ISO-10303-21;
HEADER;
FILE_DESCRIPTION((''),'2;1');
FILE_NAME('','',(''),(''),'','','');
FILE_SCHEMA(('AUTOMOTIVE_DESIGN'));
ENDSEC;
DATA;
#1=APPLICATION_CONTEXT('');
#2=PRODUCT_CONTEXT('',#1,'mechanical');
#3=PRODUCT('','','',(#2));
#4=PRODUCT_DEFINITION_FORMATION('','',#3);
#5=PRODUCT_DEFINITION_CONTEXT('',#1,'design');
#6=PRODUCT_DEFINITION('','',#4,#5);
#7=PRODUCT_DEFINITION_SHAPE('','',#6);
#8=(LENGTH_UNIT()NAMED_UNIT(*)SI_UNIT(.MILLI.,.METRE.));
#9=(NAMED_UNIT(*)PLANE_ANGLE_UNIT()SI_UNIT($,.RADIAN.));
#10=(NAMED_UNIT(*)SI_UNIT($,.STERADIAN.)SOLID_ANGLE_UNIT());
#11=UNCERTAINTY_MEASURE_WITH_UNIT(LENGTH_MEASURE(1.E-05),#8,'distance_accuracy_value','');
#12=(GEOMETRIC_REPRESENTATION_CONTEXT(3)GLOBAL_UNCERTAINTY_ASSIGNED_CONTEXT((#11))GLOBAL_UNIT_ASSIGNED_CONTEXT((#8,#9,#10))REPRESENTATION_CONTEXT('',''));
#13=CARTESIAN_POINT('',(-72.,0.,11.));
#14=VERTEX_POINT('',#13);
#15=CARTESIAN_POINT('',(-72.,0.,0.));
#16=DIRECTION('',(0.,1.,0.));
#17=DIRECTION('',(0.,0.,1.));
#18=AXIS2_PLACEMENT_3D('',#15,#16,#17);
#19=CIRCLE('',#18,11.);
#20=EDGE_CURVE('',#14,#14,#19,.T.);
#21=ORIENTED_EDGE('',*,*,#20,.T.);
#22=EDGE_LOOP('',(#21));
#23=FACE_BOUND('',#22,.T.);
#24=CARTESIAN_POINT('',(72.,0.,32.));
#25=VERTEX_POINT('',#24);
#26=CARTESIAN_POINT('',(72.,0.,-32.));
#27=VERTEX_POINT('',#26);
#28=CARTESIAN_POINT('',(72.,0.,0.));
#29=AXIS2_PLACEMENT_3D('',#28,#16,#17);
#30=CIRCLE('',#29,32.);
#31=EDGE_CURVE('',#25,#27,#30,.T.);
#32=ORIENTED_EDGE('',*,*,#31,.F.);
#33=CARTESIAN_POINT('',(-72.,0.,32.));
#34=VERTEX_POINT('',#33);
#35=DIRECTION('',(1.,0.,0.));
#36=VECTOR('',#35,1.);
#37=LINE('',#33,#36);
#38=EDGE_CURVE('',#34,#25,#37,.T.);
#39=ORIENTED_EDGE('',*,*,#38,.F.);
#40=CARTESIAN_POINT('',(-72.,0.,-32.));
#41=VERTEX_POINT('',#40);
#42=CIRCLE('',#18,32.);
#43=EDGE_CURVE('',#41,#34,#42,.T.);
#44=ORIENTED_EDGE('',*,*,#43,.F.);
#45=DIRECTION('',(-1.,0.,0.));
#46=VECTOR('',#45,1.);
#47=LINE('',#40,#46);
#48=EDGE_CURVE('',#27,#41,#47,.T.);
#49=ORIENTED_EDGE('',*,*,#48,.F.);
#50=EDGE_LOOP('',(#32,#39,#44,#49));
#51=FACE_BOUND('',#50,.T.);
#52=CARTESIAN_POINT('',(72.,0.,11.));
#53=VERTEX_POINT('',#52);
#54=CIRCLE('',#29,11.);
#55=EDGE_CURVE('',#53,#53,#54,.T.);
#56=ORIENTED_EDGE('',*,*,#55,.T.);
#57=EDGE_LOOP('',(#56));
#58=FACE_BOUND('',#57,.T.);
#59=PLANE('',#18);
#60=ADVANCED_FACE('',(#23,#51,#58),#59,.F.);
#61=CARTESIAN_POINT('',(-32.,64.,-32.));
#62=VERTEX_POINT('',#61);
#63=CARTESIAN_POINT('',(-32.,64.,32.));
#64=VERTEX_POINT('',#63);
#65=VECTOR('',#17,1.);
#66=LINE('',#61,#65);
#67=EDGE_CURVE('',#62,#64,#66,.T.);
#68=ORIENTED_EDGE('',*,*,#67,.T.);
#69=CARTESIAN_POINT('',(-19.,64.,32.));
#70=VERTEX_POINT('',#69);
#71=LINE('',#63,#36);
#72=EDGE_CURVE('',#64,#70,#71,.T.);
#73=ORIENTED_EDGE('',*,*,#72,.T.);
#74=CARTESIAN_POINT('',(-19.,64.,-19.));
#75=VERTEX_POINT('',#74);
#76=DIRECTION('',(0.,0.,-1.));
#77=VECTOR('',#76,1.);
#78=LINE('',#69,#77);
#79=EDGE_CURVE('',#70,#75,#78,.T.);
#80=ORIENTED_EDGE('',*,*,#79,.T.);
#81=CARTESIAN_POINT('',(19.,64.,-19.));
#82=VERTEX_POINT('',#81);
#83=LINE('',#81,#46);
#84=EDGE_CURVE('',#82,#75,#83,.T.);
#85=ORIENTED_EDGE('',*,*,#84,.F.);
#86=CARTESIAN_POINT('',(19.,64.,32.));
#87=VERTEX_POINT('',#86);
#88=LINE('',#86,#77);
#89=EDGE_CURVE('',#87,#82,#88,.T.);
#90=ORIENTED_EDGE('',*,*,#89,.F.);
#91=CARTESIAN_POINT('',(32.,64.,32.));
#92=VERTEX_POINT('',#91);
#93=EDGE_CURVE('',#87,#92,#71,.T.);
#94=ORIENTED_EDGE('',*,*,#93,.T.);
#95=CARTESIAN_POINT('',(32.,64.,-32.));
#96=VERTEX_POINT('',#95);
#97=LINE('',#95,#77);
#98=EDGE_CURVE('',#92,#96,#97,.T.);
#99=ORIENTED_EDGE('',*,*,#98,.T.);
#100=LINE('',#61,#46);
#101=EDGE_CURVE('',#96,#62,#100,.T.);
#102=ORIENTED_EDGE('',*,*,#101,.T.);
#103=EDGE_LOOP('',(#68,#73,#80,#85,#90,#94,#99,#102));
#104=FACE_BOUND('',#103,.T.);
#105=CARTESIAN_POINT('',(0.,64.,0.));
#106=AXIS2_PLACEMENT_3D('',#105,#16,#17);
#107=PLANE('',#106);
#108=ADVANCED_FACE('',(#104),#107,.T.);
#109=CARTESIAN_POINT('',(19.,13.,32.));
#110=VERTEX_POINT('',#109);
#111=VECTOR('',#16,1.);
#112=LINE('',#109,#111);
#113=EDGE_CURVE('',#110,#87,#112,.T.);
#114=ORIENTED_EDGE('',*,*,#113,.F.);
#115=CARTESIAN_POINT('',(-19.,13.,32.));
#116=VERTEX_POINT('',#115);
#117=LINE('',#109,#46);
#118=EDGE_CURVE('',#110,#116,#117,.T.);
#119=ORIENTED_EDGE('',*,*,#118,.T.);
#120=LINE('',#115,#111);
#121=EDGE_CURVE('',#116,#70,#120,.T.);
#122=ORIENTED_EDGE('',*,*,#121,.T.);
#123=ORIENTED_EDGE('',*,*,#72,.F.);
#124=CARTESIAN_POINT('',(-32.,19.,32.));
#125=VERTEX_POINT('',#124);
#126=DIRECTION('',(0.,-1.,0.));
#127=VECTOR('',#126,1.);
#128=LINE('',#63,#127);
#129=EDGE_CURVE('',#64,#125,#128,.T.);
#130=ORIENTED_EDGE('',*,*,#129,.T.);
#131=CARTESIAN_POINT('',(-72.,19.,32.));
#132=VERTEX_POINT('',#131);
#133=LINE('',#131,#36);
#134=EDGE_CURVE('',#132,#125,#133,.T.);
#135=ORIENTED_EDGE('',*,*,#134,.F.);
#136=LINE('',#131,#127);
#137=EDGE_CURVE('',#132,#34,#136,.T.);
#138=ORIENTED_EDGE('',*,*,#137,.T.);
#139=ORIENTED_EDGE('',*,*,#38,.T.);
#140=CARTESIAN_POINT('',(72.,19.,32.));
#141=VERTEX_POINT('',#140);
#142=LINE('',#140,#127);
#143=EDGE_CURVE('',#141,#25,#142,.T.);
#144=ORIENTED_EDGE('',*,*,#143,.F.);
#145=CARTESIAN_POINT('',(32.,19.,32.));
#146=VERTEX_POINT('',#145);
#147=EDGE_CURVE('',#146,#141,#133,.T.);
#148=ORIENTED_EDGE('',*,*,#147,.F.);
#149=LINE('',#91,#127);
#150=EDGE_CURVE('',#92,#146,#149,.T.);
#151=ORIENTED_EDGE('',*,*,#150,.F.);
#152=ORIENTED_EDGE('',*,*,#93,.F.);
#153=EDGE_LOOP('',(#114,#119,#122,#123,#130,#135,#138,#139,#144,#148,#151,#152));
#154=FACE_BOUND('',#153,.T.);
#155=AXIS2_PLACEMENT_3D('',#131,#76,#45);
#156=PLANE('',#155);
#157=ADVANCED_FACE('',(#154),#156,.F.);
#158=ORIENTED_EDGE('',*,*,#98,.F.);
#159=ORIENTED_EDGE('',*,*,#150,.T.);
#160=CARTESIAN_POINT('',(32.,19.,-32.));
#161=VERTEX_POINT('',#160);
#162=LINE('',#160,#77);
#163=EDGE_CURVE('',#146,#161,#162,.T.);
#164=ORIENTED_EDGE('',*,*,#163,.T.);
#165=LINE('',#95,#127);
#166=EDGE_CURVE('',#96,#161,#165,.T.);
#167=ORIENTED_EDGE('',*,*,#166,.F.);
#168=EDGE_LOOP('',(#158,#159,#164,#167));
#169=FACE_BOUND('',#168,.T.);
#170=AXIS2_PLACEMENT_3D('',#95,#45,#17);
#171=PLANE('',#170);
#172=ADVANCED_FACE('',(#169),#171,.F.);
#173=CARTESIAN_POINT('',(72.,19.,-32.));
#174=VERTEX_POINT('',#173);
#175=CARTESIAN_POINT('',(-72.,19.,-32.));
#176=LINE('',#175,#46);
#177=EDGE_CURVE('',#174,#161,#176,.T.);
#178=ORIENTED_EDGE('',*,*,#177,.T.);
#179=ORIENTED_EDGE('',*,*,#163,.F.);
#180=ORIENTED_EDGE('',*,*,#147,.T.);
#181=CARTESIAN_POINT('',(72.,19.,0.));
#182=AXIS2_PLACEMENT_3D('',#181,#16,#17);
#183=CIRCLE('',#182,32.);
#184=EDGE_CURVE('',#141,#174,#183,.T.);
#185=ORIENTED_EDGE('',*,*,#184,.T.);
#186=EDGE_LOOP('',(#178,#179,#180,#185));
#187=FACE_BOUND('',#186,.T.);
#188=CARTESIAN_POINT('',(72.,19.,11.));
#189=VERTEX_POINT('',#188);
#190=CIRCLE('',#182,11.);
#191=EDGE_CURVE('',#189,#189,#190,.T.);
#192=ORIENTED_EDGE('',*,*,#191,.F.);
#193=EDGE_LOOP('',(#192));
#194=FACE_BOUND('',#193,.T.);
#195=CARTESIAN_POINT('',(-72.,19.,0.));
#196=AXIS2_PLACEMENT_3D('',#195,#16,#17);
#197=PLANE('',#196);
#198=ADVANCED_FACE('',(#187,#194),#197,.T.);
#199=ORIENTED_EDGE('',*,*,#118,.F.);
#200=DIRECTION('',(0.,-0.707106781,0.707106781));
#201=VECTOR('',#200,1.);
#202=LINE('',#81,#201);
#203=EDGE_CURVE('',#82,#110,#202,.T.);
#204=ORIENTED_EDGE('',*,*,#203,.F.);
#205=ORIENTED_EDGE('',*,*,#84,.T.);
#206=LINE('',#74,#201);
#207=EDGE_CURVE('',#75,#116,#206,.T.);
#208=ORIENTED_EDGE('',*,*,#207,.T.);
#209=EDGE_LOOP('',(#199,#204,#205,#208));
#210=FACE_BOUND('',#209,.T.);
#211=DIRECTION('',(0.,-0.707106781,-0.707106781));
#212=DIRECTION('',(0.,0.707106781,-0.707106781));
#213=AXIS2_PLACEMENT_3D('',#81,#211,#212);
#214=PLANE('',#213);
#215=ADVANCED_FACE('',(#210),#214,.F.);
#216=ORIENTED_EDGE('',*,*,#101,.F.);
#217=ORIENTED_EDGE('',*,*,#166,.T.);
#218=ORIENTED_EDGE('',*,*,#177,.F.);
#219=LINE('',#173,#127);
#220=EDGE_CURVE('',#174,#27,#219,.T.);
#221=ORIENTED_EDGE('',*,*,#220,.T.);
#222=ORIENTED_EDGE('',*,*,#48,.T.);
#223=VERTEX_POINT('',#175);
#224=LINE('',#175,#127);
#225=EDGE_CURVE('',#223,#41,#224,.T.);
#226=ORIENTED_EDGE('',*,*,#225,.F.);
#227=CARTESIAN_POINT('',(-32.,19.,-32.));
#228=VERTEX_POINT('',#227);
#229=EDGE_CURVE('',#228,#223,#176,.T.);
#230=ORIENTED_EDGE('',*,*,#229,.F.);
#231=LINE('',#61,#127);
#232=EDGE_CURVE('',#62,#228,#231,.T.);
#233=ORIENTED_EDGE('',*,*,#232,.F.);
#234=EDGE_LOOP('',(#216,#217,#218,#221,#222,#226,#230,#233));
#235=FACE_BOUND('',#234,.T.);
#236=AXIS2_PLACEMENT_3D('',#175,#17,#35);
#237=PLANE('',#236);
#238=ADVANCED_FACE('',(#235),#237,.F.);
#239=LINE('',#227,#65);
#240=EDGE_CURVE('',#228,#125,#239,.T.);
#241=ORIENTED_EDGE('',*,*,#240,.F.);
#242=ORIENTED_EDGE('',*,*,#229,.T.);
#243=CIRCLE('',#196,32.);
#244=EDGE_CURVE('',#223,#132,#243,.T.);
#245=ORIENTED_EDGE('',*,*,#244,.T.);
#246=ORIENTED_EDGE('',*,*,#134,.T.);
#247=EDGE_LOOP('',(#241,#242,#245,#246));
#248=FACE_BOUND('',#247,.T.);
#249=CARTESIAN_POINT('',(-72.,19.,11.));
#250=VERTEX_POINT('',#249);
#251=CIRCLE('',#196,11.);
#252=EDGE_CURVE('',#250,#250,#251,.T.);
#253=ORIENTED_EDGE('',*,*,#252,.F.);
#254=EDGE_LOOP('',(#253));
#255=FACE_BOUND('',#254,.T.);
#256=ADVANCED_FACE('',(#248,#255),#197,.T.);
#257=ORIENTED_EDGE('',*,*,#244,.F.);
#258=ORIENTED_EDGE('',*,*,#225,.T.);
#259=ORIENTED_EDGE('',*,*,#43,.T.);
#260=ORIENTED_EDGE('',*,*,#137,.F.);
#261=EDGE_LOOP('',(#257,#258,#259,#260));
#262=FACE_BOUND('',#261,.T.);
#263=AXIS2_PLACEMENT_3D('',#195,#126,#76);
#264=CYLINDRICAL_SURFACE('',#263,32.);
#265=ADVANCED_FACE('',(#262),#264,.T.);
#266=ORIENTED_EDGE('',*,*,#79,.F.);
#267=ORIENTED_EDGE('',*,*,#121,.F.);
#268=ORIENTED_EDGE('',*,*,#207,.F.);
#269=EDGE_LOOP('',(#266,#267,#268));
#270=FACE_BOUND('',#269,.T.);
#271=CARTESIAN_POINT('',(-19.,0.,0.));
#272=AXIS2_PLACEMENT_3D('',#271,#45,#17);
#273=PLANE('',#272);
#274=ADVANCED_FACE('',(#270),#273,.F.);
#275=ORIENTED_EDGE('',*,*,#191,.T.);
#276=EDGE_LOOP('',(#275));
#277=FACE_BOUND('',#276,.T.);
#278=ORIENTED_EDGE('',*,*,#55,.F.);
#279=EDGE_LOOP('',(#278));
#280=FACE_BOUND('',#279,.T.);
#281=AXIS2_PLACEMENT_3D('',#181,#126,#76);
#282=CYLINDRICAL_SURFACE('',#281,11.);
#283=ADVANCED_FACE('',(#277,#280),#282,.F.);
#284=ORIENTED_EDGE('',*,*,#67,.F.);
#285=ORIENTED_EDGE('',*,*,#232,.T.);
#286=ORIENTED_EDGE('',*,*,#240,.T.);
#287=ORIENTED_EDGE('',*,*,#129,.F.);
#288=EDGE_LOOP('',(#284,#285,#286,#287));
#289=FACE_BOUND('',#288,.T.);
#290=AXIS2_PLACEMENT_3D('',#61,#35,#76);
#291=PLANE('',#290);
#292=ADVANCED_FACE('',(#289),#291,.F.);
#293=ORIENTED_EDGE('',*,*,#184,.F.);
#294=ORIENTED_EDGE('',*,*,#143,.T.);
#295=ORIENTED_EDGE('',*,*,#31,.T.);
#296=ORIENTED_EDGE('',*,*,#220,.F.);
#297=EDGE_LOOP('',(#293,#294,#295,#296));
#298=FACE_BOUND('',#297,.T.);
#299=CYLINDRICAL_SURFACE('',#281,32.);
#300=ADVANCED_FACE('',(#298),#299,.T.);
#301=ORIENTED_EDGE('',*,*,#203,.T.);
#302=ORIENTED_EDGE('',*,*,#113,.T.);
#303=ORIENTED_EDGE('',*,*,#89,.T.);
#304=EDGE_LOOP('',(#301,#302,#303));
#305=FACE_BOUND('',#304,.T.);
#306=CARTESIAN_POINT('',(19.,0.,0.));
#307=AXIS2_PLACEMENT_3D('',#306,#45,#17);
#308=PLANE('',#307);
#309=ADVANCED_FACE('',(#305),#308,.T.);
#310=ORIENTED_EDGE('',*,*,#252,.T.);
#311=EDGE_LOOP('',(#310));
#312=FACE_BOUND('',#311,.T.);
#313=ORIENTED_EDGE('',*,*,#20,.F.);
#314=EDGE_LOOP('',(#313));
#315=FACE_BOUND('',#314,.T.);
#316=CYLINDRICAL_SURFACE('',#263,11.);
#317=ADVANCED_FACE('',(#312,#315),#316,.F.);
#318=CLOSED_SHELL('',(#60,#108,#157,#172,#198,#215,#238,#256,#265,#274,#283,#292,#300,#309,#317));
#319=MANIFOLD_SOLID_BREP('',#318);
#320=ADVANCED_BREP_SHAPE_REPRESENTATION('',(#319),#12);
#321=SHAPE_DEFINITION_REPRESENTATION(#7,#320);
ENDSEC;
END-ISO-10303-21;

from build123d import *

# Parameters (mm, degrees)
SKETCH1_R           = 11
BOSS_EXTRUDE1_DEPTH = 19
SKETCH2_W           = 64
SKETCH2_H           = 64
BOSS_EXTRUDE2_DEPTH = 45
CUT_EXTRUDE2_START  = -13
CUT_EXTRUDE2_DEPTH  = 38


with BuildPart() as part:
    # Sketch1 → Boss-Extrude1 (new body)
    with BuildSketch(Plane(origin=(0, 0, 0), x_dir=(1, 0, 0), z_dir=(0, 1, 0))):
        with BuildLine():
            Line((-72, 32), (72, 32))
            ThreePointArc((72, 32), (104, 0), (72, -32))
            Line((72, -32), (-72, -32))
            ThreePointArc((-72, -32), (-104, 0), (-72, 32))
        make_face()
        with Locations(Location((-72, 0, 0), (0, 0, 270))):
            Circle(SKETCH1_R, mode=Mode.SUBTRACT)
        with Locations(Location((72, 0, 0), (0, 0, 270))):
            Circle(SKETCH1_R, mode=Mode.SUBTRACT)
    extrude(amount=BOSS_EXTRUDE1_DEPTH)

    # Sketch2 → Boss-Extrude2 (add)
    with BuildSketch(Plane(origin=(0, 19, 0), x_dir=(1, 0, 0), z_dir=(0, 1, 0))):
        Rectangle(SKETCH2_W, SKETCH2_H)
    extrude(amount=BOSS_EXTRUDE2_DEPTH)

    # Sketch4 → Cut-Extrude2 (cut)
    with BuildSketch(Plane.ZY.offset(32).offset(CUT_EXTRUDE2_START)):
        Polygon((32, 64), (-19, 64), (32, 13), align=None)
    extrude(amount=-CUT_EXTRUDE2_DEPTH, mode=Mode.SUBTRACT)


solid = part.part
